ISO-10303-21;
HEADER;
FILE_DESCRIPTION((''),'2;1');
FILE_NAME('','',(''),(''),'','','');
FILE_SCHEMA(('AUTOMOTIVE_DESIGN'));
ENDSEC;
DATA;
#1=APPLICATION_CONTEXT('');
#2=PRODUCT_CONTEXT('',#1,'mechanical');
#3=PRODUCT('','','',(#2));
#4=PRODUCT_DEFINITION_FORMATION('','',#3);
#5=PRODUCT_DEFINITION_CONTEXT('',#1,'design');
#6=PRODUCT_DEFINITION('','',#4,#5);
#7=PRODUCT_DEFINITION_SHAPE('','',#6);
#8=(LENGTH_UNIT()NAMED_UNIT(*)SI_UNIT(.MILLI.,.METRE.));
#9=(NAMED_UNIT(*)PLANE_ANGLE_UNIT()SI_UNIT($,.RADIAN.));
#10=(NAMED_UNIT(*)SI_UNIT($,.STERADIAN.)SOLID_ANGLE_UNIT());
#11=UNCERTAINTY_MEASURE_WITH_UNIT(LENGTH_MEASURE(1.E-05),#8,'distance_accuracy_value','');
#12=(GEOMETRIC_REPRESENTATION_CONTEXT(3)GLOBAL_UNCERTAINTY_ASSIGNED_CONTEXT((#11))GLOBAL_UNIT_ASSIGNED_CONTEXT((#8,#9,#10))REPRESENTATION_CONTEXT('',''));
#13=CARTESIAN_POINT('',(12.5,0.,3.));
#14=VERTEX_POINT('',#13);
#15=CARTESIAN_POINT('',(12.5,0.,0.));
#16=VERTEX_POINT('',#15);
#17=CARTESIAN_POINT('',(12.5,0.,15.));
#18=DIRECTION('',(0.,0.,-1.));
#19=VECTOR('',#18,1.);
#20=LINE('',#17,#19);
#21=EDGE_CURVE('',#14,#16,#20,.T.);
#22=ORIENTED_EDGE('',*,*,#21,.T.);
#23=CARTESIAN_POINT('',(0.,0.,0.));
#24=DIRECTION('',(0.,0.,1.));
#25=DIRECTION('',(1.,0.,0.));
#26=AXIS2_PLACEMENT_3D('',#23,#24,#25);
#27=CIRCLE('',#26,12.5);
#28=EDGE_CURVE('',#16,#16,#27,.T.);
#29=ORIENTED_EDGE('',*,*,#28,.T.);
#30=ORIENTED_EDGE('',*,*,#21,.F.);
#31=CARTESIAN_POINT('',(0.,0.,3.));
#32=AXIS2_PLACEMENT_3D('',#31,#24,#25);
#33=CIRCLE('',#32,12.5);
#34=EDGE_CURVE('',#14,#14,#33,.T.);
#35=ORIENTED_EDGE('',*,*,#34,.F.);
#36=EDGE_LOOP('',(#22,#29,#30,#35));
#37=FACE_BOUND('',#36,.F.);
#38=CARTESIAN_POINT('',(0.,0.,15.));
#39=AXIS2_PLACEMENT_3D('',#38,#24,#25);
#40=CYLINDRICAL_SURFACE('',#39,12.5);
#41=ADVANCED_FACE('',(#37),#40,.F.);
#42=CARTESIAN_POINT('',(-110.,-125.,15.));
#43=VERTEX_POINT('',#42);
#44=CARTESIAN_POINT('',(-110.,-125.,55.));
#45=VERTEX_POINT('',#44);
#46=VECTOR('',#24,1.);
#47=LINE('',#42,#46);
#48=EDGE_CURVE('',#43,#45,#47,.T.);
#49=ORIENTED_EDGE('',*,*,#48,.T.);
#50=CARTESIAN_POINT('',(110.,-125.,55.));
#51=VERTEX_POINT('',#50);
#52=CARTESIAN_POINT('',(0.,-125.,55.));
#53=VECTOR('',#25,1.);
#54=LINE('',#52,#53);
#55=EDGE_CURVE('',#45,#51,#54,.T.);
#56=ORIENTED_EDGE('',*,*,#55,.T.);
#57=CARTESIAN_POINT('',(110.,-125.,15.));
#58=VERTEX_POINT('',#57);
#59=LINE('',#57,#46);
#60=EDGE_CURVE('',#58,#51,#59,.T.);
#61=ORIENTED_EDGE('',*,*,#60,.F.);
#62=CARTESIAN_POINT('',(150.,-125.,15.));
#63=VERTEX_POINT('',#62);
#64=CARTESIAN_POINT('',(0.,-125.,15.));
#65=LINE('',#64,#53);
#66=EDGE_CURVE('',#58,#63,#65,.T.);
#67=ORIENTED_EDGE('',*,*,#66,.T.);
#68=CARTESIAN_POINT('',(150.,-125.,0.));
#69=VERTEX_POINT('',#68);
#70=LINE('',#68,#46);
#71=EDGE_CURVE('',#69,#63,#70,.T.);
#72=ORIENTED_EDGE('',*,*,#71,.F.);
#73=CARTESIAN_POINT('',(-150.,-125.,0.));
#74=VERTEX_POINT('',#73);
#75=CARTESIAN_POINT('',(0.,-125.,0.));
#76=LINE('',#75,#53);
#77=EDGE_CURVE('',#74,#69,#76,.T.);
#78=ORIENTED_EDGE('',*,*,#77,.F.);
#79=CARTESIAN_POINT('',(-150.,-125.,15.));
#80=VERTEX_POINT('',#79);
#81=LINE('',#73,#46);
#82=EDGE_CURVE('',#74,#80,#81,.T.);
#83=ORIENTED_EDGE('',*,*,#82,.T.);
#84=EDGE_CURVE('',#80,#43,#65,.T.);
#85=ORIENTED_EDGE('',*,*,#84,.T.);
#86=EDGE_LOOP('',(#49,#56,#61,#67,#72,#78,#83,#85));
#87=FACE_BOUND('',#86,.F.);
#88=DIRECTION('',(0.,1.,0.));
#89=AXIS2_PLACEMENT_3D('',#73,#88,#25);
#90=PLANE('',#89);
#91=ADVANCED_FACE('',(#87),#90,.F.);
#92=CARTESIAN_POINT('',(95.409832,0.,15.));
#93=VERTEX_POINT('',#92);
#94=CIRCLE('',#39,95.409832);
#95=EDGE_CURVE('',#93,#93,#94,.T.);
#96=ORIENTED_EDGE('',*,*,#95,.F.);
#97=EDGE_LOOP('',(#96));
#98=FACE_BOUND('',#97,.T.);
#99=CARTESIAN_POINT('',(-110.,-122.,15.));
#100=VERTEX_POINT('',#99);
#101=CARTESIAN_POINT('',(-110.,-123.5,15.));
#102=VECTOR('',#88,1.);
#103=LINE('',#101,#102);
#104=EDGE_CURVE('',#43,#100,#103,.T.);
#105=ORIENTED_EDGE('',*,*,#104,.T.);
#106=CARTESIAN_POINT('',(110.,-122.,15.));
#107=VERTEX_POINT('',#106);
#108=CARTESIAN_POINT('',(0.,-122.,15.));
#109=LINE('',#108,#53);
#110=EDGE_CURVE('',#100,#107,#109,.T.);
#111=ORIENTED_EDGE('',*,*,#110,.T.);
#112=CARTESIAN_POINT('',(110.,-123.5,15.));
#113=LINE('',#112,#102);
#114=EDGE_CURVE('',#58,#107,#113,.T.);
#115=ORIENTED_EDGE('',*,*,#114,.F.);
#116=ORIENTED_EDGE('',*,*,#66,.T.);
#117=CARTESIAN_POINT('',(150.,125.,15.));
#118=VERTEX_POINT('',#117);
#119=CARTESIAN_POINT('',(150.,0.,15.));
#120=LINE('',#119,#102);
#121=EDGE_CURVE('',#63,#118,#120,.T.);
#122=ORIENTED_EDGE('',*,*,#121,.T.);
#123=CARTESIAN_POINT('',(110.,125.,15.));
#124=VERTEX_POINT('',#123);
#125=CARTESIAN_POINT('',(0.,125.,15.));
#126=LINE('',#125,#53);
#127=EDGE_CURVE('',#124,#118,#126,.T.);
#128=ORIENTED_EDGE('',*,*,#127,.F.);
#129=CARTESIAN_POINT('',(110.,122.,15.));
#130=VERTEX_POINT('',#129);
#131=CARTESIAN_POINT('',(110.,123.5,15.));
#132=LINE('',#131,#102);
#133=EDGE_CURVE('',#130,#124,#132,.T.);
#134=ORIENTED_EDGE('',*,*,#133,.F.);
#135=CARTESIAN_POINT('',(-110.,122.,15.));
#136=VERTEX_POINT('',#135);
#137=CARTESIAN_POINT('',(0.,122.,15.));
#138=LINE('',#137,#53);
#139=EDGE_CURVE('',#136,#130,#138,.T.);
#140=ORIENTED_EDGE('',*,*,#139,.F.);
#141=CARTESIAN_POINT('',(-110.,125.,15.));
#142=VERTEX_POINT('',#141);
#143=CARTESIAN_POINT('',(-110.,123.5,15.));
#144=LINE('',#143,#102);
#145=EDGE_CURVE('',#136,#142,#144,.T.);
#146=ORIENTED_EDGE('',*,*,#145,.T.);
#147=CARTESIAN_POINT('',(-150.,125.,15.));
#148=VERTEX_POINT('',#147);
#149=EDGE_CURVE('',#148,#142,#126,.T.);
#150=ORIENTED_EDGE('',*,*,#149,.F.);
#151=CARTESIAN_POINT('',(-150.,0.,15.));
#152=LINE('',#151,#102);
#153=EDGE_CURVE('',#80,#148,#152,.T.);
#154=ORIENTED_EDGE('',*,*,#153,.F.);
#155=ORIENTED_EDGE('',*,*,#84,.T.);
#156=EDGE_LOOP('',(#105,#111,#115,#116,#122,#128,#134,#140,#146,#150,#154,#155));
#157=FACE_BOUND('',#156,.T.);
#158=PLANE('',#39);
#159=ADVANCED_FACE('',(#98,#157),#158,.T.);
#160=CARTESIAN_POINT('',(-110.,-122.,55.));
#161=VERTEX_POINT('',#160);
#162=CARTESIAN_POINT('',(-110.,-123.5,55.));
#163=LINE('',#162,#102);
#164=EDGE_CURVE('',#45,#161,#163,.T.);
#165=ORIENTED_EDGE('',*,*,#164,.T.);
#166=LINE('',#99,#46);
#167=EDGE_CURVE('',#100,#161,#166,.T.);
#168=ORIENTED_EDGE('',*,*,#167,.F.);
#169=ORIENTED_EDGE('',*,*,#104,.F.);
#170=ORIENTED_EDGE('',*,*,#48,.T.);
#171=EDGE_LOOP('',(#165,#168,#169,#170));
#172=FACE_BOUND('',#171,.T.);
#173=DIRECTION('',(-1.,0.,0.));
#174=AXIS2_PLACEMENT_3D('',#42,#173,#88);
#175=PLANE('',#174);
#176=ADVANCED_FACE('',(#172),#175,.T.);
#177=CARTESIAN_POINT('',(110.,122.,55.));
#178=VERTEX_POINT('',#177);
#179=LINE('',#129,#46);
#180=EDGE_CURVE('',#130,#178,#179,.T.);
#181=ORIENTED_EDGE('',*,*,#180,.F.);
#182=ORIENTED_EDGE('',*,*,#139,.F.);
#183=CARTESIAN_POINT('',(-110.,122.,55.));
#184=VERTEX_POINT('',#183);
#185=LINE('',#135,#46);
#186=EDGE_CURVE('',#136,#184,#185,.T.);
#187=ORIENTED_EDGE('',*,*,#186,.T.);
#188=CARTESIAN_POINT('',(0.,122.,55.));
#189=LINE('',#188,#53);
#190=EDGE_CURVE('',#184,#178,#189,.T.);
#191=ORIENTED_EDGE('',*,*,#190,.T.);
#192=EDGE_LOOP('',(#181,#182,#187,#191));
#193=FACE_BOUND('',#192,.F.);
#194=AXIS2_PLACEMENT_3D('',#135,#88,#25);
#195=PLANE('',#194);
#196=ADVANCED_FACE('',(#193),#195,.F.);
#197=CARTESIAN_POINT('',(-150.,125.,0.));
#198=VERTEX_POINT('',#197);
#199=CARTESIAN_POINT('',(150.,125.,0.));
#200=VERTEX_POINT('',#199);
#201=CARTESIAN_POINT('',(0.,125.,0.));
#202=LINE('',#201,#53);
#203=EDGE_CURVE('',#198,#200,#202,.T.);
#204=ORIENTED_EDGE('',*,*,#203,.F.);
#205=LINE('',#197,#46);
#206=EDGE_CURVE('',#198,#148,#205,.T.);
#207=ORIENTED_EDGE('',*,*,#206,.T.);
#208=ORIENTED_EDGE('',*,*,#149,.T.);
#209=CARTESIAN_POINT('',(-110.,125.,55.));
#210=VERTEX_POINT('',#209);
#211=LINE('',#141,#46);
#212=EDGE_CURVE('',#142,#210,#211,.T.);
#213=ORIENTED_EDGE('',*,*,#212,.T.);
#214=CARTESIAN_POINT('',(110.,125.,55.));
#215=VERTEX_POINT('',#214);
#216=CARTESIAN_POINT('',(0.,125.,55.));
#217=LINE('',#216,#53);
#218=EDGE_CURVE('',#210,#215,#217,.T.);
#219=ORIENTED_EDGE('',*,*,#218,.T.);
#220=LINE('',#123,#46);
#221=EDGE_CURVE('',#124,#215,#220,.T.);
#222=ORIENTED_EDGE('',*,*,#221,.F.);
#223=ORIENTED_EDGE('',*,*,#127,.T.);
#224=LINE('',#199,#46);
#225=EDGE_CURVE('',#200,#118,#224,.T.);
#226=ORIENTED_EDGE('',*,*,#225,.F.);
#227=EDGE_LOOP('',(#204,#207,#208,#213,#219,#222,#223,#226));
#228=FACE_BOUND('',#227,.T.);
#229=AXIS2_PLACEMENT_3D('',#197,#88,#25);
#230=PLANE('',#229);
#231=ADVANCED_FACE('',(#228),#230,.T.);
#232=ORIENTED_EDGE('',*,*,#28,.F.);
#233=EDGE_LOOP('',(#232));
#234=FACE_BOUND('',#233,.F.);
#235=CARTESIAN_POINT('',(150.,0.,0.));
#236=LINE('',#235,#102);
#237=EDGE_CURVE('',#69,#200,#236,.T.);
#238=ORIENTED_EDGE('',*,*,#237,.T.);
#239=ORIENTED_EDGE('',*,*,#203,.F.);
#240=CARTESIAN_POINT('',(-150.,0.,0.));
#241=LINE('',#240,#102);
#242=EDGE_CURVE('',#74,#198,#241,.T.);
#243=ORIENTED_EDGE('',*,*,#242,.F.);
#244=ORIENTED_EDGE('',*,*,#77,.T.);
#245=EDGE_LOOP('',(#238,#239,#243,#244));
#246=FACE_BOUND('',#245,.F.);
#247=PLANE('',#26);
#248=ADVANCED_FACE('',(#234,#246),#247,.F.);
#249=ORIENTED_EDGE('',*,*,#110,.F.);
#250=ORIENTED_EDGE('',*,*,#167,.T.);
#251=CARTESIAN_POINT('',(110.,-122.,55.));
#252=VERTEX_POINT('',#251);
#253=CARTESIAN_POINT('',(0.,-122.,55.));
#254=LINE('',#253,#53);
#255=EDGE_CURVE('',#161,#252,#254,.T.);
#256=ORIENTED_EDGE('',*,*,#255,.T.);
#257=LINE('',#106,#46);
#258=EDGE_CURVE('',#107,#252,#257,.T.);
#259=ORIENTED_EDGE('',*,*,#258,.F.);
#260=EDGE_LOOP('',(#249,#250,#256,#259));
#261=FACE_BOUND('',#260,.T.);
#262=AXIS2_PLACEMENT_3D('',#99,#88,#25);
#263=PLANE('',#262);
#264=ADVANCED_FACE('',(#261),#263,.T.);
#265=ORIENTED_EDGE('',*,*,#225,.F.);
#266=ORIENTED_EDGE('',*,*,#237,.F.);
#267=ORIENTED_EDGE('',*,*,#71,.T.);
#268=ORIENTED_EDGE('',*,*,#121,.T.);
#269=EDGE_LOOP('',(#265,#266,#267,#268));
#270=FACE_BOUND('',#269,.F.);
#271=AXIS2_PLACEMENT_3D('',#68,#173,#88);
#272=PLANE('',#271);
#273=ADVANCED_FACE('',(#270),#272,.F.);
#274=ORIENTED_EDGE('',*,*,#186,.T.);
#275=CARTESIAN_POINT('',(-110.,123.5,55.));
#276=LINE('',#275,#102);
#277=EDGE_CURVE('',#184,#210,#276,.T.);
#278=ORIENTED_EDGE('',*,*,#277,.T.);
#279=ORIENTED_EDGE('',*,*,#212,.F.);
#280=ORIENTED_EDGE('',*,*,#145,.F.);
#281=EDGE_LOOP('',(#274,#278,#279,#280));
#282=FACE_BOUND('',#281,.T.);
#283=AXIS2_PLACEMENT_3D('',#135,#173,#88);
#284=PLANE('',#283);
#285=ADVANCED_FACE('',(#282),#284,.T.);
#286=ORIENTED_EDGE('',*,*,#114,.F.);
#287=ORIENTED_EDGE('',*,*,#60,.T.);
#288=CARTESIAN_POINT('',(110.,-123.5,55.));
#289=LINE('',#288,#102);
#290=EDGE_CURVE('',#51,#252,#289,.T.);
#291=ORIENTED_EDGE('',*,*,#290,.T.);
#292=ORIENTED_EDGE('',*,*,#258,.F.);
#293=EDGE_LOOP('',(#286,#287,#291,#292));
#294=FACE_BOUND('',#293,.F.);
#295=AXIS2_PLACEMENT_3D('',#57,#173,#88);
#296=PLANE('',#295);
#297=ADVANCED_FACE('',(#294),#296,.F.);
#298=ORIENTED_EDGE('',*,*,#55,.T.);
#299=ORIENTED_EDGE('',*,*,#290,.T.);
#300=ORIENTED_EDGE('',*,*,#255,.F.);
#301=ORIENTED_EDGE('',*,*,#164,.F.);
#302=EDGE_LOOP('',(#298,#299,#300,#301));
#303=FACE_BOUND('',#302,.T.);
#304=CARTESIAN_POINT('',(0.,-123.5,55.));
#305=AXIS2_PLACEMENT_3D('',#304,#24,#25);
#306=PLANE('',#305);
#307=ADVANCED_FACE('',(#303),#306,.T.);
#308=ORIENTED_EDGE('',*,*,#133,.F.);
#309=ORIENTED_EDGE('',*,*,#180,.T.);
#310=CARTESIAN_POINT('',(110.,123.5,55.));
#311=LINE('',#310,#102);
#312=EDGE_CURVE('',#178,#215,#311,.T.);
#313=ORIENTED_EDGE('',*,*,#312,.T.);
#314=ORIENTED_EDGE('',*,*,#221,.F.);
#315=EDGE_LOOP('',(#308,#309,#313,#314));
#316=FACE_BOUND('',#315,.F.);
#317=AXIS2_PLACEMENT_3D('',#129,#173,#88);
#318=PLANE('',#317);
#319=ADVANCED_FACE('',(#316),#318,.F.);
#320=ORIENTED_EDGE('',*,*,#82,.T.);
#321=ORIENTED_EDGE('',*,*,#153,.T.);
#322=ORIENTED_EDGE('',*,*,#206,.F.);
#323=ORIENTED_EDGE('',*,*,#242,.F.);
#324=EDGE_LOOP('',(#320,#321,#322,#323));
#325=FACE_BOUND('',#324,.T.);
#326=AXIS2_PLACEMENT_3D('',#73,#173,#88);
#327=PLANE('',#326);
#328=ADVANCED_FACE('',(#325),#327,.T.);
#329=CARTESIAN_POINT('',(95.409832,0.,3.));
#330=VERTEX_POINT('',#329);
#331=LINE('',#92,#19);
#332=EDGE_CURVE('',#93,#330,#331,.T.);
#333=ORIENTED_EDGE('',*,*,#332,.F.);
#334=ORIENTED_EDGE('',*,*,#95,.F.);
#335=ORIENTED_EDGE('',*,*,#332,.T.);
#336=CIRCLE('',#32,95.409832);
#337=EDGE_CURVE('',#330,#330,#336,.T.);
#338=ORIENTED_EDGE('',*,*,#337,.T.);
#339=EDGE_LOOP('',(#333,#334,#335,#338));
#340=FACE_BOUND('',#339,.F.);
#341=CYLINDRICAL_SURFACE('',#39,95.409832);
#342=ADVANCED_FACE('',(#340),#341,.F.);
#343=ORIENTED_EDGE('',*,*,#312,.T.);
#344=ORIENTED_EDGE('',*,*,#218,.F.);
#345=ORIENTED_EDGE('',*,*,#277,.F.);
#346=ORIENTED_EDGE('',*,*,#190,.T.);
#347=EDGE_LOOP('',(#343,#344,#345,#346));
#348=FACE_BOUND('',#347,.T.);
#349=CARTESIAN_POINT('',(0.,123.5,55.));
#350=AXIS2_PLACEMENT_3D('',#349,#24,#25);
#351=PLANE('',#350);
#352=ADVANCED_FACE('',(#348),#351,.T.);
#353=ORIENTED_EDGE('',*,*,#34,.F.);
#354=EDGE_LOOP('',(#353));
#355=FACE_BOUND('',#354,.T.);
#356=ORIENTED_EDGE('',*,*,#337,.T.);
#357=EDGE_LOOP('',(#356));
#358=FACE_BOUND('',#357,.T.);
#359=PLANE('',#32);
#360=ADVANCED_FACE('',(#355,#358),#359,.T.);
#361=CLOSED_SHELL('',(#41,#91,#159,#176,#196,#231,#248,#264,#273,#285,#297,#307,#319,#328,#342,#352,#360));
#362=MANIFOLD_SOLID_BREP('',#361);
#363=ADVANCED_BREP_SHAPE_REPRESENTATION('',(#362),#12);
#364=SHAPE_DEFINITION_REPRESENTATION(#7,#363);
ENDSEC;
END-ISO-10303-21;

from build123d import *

# Parameters (mm, degrees)
F0_W     = 300
F0_H     = 250
F1_DEPTH = 15
F2_R     = 95.409832
F3_DEPTH = 12
F4_R     = 12.5
F5_DEPTH = 15.001
F6_W     = 220
F6_H     = 3
F7_DEPTH = 40


with BuildPart() as f1:
    # F0 (on Top) → F1 (new body)
    with BuildSketch(Plane.XY):
        Rectangle(F0_W, F0_H)
    extrude(amount=F1_DEPTH)

    # F2 (on face) → F3 (cut)
    with BuildSketch(Plane.XY.offset(15)):
        Circle(F2_R)
    extrude(amount=-F3_DEPTH, mode=Mode.SUBTRACT)

    # F4 (on face) → F5 (cut, through all)
    with BuildSketch(Plane.XY.offset(15)):
        Circle(F4_R)
    extrude(amount=-F5_DEPTH, mode=Mode.SUBTRACT)

    # F6 (on face) → F7 (join)
    with BuildSketch(Plane.XY.offset(15)):
        with Locations((0, 123.5)):
            Rectangle(F6_W, F6_H)
        with Locations((0, -123.5)):
            Rectangle(F6_W, F6_H)
    extrude(amount=F7_DEPTH)


solid = f1.part
